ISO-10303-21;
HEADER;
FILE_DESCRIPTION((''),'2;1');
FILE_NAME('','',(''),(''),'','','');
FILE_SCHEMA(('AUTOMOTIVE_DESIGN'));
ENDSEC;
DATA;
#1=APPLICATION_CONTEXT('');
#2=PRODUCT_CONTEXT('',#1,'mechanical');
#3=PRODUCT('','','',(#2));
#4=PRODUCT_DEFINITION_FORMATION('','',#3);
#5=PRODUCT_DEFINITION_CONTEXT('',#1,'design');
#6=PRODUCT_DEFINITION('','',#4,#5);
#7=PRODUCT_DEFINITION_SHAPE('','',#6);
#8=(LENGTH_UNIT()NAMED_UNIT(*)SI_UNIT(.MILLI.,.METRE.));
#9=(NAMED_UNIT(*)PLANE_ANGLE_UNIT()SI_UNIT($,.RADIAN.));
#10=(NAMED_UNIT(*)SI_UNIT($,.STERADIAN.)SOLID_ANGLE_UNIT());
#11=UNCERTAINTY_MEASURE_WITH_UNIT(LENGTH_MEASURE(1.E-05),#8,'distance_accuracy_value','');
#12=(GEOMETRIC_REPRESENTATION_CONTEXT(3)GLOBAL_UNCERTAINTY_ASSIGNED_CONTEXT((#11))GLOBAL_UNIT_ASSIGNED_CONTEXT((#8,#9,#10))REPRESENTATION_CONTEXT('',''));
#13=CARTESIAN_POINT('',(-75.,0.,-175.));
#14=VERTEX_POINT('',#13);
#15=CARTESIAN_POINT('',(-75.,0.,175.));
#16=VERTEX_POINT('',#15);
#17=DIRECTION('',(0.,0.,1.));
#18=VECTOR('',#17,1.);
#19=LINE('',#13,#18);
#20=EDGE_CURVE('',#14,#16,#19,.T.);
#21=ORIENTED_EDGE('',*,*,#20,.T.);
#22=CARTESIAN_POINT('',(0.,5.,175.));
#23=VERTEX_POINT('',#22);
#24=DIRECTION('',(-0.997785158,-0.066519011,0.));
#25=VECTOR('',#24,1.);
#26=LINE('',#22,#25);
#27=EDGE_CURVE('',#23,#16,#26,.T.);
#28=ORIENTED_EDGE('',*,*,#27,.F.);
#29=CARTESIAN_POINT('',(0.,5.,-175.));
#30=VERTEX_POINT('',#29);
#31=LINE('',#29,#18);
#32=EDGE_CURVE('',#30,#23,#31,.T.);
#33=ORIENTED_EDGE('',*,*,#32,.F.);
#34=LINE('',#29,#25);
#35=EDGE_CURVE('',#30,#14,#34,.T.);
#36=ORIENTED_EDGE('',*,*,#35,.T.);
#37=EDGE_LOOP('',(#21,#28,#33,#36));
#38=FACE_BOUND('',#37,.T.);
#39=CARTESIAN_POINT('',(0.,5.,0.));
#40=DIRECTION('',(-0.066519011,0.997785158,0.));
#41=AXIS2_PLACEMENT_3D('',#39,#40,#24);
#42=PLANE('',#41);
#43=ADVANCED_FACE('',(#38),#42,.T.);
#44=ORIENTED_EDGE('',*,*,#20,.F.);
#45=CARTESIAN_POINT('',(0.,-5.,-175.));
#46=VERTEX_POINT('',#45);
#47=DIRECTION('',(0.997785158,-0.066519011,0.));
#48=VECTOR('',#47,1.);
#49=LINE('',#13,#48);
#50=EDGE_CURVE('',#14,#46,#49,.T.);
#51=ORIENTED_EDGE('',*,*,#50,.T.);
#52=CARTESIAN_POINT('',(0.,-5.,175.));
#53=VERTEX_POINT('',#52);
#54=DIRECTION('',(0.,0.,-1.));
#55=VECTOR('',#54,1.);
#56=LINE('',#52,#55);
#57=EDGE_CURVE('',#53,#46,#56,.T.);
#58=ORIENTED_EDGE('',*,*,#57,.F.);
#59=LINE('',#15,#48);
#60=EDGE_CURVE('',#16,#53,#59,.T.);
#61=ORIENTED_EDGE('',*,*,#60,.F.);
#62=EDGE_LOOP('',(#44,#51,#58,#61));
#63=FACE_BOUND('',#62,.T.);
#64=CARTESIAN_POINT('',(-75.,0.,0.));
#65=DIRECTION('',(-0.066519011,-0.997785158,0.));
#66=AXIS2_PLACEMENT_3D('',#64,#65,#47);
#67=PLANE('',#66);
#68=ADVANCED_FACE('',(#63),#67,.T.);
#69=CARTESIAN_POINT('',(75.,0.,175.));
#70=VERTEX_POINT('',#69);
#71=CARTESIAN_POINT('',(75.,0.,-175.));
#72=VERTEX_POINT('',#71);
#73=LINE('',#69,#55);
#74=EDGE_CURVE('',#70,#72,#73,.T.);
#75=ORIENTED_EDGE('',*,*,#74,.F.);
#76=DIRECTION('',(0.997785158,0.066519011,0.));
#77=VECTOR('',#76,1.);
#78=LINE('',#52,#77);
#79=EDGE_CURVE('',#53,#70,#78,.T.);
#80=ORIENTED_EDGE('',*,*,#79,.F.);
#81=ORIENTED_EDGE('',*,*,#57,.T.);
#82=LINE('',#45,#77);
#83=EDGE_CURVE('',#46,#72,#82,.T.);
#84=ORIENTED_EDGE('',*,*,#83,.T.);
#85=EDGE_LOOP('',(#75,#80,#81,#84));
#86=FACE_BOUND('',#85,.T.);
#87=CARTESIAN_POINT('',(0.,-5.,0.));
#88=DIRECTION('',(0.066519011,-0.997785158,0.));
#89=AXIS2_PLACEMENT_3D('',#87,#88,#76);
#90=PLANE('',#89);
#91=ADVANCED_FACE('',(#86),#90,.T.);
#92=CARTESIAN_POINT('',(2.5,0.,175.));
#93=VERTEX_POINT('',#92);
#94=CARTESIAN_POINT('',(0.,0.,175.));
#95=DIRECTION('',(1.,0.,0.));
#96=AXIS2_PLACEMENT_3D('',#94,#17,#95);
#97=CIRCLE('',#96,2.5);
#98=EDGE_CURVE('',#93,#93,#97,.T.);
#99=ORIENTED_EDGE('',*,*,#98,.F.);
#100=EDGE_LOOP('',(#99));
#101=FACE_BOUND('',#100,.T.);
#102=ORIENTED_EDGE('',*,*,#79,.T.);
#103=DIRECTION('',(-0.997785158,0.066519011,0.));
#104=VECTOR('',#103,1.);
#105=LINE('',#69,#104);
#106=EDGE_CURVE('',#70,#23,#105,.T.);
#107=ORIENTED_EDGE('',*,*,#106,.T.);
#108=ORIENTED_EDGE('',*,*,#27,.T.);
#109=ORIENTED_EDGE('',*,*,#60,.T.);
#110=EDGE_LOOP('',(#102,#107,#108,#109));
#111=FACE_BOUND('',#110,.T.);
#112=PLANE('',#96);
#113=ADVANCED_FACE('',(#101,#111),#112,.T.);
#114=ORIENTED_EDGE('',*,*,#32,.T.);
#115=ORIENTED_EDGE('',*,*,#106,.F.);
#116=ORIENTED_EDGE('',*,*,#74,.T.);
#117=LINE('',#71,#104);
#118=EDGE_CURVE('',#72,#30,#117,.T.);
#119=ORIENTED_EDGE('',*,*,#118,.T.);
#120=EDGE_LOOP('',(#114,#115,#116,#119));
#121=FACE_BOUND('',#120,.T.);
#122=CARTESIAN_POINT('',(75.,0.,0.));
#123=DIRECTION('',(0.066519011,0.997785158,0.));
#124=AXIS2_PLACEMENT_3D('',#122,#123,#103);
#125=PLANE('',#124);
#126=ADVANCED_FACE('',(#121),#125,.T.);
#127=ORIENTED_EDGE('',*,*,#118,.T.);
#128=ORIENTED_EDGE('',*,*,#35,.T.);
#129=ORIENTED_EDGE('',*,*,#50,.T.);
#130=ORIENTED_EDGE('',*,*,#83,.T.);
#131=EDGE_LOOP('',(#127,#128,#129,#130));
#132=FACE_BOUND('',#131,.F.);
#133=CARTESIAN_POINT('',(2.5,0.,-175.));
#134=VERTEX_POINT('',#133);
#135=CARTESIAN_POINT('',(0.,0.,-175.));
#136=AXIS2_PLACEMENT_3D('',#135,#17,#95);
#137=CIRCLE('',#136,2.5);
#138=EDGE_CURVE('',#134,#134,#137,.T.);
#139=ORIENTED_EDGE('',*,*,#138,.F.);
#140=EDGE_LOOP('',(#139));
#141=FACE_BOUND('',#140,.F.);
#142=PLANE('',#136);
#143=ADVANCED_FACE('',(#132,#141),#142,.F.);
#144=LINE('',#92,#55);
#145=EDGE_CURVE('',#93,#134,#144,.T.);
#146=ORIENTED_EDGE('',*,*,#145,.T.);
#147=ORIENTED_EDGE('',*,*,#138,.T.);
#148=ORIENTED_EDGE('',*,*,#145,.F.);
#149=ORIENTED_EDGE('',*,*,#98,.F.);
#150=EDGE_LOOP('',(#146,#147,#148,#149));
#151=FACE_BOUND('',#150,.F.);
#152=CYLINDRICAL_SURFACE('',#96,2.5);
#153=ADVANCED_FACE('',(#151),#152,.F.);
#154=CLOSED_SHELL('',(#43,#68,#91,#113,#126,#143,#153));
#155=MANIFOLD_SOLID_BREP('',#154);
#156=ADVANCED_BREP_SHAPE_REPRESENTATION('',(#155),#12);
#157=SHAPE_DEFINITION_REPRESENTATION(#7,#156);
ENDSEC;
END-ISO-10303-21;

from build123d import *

# Parameters (mm, degrees)
F1_DEPTH = 175
F2_R     = 2.5
F3_DEPTH = 350


with BuildPart() as f1:
    # F0 (on Top) → F1 (new body, symmetric)
    with BuildSketch(Plane.XY):
        Polygon((75, 0), (0, 5), (-75, 0), (0, -5), align=None)
    extrude(amount=F1_DEPTH, both=True)

    # F2 (on face) → F3 (cut, through all)
    with BuildSketch(Plane.XY.offset(175)):
        Circle(F2_R)
    extrude(amount=-F3_DEPTH, mode=Mode.SUBTRACT)


solid = f1.part
